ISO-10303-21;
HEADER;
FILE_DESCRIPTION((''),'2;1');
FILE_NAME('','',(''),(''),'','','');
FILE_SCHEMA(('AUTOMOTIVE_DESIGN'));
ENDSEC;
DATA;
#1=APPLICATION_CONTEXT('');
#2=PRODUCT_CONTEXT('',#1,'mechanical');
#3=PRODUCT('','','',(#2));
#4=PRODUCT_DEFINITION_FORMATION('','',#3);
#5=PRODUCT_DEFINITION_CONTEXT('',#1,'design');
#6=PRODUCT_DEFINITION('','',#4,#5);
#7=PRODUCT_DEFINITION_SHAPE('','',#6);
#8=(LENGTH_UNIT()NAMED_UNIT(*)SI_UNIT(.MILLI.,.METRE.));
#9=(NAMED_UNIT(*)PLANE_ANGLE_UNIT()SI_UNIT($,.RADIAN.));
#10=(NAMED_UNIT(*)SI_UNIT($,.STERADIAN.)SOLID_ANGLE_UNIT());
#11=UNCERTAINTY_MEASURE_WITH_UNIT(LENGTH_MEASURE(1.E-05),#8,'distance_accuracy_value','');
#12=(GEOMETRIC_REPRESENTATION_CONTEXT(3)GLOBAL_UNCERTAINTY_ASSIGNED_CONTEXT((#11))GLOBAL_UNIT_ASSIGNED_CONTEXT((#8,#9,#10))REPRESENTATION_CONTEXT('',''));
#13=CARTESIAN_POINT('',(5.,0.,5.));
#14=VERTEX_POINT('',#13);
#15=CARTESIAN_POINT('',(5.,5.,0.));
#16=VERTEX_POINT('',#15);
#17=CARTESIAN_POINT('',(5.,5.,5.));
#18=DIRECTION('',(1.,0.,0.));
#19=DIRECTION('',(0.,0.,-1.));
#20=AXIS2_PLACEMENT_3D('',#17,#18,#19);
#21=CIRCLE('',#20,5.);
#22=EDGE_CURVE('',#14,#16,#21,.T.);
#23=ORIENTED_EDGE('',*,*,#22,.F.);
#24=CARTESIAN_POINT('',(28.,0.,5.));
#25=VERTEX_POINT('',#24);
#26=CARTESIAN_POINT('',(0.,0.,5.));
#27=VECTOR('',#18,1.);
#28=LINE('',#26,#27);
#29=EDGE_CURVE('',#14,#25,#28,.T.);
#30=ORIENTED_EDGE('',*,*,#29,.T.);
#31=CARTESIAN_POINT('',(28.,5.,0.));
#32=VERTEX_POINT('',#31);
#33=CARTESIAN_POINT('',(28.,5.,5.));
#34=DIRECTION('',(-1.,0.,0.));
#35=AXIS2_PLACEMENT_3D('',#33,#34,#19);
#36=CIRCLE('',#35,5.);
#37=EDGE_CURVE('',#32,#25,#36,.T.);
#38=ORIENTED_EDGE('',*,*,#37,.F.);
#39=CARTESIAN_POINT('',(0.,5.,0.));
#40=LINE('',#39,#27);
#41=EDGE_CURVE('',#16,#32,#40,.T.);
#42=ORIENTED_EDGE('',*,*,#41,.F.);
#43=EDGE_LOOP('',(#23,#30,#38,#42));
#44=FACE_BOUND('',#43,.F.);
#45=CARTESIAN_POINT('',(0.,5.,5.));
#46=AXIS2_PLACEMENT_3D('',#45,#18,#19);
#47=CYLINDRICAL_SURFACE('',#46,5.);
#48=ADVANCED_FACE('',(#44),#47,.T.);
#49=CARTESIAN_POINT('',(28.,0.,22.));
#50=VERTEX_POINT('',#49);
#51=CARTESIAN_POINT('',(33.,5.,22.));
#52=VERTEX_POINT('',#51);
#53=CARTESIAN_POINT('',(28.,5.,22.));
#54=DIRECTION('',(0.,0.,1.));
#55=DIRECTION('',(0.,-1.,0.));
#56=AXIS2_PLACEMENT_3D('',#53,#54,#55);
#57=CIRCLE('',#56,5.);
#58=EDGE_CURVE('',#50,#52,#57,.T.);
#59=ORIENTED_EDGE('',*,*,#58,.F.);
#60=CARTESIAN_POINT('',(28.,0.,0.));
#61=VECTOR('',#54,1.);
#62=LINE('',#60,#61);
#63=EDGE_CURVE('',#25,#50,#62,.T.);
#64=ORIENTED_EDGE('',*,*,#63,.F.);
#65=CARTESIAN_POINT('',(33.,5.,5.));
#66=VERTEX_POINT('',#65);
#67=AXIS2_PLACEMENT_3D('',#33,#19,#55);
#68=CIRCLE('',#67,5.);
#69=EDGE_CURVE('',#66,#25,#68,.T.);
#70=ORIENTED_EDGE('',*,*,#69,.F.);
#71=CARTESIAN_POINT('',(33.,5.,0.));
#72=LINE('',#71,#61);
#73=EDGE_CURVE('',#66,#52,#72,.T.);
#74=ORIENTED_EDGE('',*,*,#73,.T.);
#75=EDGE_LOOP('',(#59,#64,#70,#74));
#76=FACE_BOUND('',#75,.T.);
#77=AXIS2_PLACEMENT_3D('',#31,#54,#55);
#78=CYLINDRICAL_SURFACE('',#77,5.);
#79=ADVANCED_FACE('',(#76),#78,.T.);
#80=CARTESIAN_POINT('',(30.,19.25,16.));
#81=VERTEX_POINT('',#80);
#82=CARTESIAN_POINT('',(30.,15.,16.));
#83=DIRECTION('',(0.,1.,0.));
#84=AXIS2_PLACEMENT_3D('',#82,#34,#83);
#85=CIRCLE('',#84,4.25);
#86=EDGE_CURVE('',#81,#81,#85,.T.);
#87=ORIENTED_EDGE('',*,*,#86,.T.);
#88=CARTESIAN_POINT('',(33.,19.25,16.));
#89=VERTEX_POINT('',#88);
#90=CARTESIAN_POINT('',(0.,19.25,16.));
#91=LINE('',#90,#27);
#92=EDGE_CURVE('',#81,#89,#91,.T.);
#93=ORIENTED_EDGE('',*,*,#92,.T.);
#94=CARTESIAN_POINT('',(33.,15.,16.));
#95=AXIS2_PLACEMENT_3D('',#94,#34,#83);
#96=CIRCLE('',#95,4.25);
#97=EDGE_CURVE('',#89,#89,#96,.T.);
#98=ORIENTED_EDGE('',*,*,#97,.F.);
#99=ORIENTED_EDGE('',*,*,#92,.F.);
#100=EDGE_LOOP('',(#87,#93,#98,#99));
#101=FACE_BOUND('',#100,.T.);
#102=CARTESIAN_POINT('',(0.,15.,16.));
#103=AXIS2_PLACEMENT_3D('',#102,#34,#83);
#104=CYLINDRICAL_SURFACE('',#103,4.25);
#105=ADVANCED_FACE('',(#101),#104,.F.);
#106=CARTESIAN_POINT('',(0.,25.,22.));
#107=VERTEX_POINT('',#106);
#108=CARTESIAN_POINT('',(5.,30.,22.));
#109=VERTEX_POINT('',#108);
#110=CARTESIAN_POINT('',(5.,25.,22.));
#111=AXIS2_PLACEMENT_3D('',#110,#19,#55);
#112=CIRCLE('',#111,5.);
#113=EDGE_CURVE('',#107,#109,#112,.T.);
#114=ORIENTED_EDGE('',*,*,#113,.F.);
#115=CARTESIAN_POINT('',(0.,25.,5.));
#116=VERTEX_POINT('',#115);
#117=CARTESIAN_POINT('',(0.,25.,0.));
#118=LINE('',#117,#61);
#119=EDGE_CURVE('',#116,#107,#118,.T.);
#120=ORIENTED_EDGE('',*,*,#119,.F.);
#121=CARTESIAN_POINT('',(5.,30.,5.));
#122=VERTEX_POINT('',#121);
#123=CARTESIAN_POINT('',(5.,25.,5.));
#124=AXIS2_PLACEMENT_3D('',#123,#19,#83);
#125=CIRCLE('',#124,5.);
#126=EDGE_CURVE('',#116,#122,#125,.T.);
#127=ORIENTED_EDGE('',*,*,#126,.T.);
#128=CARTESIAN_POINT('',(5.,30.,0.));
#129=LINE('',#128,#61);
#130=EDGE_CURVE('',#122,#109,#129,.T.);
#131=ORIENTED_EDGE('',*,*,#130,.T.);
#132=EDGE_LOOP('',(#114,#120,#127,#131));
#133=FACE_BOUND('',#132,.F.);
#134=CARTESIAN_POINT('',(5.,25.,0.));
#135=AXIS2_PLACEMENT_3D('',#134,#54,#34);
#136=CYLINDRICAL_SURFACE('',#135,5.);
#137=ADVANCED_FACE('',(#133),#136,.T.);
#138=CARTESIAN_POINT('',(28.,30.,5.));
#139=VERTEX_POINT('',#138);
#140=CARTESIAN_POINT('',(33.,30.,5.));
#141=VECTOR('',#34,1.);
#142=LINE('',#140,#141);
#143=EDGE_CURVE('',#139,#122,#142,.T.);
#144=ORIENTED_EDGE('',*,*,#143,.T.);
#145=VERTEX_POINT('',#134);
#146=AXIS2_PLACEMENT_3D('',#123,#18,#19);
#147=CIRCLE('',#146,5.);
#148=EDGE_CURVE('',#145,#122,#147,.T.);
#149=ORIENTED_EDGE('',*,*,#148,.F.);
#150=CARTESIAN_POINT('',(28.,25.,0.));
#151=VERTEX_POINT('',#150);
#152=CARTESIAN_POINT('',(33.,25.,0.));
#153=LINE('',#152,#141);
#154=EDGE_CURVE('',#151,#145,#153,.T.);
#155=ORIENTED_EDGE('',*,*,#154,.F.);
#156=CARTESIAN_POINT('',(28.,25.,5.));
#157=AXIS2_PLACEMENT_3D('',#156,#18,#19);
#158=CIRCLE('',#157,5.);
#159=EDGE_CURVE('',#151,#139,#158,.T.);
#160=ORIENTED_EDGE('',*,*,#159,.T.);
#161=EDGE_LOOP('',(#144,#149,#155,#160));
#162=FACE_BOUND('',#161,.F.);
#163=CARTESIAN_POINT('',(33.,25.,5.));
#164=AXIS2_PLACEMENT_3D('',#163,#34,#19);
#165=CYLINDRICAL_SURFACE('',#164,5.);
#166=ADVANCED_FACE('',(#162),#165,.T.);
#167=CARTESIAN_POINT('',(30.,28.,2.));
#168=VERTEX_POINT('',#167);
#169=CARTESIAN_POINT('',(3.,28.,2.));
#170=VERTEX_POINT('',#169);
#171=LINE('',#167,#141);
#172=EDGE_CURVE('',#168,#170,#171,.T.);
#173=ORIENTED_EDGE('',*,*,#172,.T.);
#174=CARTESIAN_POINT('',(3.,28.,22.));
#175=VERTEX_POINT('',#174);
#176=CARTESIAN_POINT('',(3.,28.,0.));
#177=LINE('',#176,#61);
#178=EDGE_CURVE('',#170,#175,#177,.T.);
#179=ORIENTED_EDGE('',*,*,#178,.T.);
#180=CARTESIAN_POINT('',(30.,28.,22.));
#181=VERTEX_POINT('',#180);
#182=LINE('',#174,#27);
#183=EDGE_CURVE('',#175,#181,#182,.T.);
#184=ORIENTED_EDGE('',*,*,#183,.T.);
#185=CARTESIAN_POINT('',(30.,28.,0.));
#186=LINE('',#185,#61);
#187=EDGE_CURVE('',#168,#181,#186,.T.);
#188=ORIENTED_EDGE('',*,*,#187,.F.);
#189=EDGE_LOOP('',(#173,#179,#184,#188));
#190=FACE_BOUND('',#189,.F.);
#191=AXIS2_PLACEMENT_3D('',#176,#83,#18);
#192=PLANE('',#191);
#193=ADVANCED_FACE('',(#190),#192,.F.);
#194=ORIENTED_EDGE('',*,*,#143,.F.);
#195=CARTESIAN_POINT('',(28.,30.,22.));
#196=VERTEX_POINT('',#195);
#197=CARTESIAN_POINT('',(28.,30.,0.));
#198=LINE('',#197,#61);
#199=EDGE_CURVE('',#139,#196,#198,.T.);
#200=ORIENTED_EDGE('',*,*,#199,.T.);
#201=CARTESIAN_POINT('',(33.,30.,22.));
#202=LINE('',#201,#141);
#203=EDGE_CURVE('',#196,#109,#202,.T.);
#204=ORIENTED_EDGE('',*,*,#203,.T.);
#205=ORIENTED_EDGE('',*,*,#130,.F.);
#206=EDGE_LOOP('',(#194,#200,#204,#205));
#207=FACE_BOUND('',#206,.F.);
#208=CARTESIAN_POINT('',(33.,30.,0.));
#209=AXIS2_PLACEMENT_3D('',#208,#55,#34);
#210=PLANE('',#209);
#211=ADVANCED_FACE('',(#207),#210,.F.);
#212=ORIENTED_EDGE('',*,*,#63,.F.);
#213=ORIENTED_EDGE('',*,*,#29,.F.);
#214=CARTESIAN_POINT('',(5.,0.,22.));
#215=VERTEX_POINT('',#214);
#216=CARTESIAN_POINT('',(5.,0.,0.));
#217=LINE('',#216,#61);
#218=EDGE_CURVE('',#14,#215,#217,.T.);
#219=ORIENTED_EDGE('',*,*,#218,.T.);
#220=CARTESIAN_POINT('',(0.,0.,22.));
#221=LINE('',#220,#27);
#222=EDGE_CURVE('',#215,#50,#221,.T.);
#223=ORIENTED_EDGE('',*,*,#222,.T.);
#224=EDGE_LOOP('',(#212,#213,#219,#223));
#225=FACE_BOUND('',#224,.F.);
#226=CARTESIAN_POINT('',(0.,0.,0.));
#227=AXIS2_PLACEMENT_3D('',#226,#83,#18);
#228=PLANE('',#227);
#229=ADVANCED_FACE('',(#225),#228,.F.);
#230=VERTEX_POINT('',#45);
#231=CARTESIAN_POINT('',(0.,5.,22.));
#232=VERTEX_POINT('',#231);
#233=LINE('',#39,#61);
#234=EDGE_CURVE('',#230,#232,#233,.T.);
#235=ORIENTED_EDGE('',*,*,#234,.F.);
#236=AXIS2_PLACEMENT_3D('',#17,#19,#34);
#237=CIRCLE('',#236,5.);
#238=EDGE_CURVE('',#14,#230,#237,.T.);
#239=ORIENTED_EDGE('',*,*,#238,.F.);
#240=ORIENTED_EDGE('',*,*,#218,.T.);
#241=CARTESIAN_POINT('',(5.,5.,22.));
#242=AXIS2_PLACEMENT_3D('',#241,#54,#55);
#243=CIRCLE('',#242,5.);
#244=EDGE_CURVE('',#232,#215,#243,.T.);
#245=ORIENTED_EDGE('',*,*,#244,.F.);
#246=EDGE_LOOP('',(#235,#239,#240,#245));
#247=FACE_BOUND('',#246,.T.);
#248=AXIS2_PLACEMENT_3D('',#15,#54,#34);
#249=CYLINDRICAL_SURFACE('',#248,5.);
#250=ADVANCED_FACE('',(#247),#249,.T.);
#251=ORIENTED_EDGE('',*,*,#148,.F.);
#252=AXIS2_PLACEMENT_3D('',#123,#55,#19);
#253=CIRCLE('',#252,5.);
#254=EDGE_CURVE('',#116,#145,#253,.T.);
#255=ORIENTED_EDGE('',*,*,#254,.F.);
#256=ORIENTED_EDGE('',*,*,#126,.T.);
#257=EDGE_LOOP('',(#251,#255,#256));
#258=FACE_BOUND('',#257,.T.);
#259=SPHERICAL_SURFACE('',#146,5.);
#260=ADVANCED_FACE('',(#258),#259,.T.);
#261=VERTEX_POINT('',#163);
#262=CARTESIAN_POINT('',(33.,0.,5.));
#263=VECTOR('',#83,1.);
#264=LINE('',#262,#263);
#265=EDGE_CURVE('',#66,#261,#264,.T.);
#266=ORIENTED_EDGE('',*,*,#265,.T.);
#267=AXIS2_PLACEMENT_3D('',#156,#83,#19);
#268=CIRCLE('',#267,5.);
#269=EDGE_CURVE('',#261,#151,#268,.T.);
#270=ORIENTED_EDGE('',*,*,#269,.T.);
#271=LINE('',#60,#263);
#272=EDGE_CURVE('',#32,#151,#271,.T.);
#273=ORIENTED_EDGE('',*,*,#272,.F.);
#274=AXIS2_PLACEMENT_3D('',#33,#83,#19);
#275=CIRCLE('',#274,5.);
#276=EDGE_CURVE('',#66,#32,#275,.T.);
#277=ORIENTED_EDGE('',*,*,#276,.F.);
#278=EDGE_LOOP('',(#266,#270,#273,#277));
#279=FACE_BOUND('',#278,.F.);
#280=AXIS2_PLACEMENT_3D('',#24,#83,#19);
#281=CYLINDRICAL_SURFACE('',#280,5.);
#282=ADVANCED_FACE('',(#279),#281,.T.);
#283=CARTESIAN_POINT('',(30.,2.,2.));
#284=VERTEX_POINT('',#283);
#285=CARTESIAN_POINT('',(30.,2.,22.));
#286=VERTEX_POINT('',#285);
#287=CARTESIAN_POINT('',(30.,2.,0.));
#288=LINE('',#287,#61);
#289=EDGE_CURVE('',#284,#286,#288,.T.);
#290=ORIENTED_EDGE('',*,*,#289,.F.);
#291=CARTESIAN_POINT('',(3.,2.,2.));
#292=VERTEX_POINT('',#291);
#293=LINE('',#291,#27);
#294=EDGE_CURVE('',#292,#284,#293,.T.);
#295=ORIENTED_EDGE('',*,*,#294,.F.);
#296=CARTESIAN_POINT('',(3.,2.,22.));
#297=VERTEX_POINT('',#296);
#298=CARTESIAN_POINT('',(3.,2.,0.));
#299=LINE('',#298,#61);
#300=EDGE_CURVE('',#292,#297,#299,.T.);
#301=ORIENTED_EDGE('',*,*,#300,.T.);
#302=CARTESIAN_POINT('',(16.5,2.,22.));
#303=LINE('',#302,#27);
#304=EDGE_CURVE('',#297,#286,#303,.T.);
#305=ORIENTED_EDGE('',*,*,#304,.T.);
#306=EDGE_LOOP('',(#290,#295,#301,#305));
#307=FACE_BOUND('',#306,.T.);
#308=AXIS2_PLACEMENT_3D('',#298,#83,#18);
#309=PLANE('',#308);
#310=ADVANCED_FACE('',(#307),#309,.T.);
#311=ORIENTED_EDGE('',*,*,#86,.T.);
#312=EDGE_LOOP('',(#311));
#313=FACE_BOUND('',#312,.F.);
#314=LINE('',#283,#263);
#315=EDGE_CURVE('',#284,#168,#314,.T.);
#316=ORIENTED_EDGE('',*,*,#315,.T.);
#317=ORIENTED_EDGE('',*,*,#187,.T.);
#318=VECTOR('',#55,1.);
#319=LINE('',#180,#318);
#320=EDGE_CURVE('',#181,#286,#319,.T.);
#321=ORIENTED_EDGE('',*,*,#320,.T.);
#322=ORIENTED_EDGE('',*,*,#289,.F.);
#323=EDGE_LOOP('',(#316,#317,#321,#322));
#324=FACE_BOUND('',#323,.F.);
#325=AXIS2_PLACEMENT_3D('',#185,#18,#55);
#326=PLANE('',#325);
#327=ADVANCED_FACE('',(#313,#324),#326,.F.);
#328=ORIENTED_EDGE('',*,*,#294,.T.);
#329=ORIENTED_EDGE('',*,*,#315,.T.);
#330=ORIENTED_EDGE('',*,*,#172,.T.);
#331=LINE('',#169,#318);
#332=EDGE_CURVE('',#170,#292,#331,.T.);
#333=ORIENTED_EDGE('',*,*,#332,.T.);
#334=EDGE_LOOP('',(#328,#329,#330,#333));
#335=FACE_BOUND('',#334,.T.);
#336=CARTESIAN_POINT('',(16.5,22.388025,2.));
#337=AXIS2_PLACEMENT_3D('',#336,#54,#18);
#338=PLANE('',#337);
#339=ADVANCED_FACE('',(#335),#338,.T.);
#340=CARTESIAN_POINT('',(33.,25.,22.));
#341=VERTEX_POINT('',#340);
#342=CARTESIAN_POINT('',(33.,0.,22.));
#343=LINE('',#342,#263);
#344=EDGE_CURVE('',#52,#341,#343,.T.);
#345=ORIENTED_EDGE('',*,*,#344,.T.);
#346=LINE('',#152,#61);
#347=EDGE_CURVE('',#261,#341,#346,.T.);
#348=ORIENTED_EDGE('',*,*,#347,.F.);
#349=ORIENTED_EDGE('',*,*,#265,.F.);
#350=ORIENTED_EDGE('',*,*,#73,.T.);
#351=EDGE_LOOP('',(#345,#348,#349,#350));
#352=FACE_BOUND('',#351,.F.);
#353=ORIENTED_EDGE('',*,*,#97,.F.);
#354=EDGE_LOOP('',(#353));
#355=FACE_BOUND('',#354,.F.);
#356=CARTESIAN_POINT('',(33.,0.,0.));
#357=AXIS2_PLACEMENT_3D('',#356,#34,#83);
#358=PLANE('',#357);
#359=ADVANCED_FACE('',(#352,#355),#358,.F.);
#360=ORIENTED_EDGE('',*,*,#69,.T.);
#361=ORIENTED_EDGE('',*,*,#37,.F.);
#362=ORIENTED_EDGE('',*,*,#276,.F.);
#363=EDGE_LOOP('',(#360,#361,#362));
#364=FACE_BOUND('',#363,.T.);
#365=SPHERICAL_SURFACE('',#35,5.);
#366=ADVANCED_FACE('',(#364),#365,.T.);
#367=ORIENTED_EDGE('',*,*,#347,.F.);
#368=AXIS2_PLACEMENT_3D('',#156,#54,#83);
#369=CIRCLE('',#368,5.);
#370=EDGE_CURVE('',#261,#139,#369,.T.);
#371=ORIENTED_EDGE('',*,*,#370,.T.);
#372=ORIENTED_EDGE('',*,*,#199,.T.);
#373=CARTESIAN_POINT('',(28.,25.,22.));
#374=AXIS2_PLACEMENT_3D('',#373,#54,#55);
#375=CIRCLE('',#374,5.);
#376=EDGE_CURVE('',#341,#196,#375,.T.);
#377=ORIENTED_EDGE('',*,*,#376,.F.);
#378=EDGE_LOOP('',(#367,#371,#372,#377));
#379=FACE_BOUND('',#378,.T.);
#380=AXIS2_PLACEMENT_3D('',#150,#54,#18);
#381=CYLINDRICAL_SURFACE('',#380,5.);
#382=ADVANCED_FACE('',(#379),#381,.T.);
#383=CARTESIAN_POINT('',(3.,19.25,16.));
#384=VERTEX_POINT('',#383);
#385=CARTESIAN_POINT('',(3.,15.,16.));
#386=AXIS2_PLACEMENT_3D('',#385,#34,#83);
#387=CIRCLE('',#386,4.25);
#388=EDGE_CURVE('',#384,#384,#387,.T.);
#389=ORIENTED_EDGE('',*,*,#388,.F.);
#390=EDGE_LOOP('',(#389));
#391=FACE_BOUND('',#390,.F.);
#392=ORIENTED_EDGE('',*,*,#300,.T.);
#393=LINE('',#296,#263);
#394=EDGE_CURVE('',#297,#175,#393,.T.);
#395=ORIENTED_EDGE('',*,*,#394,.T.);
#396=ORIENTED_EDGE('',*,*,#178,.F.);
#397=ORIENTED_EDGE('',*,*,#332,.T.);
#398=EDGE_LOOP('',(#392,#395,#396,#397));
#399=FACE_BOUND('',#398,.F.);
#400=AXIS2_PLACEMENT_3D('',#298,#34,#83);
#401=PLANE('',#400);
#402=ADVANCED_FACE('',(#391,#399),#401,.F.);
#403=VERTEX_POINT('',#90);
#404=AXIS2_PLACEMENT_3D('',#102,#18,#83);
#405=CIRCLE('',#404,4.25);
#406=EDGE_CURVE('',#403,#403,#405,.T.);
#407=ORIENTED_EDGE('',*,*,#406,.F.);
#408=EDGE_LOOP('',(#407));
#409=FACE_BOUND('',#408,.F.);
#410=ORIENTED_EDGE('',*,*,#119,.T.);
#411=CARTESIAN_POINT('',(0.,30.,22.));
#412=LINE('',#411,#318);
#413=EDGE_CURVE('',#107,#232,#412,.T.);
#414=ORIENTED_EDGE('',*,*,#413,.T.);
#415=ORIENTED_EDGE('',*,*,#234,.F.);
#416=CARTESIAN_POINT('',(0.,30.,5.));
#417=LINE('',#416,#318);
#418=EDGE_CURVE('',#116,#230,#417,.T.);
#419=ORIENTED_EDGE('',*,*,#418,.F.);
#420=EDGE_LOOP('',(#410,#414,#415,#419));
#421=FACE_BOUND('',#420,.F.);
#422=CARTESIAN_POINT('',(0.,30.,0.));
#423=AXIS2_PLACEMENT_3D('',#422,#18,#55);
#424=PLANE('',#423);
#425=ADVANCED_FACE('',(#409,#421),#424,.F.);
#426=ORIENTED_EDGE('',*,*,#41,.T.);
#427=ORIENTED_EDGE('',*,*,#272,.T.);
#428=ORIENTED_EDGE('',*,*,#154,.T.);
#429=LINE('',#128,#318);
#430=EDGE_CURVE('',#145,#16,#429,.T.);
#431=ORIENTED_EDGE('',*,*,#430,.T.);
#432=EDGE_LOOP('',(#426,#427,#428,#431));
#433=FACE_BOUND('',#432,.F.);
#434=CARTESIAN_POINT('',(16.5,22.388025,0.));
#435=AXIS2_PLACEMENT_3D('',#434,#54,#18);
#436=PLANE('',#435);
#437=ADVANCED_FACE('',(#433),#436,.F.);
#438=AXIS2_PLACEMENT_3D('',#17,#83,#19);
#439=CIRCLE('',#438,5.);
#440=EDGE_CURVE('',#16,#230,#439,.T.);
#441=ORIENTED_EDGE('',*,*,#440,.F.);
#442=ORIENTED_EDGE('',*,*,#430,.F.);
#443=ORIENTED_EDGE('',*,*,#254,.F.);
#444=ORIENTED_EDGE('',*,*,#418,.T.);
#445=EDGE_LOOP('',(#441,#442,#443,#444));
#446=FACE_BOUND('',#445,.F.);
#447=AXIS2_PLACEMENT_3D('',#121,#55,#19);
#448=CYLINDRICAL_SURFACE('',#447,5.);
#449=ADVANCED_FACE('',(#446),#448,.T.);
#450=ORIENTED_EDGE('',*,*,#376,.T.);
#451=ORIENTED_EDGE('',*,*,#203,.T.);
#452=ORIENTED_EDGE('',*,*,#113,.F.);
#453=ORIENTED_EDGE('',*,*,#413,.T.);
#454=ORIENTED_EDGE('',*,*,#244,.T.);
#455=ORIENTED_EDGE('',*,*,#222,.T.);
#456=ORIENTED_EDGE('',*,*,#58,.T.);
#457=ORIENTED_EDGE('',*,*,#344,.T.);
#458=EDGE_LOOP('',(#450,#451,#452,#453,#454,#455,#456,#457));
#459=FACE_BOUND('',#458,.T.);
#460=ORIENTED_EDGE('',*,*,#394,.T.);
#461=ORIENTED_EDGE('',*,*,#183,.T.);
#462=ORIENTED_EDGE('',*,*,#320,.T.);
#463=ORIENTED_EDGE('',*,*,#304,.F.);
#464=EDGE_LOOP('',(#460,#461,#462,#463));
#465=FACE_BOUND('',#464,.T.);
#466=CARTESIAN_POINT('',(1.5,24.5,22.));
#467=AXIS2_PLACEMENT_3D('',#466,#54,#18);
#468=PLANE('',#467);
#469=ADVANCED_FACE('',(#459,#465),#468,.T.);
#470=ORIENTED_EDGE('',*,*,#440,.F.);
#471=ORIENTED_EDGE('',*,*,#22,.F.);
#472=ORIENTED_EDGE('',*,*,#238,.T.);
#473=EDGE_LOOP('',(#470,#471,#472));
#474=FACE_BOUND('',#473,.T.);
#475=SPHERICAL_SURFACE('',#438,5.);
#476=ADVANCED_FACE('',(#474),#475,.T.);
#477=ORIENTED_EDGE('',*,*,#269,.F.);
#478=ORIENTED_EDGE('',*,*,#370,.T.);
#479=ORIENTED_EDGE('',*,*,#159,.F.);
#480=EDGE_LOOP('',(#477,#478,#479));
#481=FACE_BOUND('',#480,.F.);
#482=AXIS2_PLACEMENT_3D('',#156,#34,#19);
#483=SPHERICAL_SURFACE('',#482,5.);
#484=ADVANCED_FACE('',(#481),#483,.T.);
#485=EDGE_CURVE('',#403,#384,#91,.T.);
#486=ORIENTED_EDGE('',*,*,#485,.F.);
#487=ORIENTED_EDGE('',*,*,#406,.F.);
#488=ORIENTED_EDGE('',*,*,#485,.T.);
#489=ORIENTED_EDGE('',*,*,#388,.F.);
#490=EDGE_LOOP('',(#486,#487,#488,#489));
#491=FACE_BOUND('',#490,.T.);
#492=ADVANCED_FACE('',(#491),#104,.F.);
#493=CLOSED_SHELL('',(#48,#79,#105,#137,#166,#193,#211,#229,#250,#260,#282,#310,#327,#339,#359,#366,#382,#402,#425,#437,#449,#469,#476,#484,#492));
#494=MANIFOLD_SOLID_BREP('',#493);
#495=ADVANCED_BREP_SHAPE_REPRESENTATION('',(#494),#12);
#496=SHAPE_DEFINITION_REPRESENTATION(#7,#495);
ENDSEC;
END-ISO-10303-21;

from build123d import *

# Parameters (mm, degrees)
F0_W     = 3
F0_H     = 13
F0_H_2   = 2
F0_W_2   = 27
F0_H_3   = 4
F1_DEPTH = 22
F0_W_3   = 7
F0_H_4   = 11.0040441751
F2_DEPTH = 2
F3_R     = 4.25
F4_DEPTH = 40
F5_R     = 5


with BuildPart() as f1:
    # F0 (on Top) → F1 (new body)
    with BuildSketch(Plane.XY):
        Polygon((3, 30), (0, 30), (0, 19), (3, 19), (3, 28), align=None)
        Polygon((33, 30), (3, 30), (3, 28), (30, 28), (33, 28), align=None)
        with Locations((31.5, 21.5)):
            Rectangle(F0_W, F0_H)
        with Locations((31.5, 8.5)):
            Rectangle(F0_W, F0_H)
        with Locations((31.5, 1)):
            Rectangle(F0_W, F0_H_2)
        with Locations((16.5, 1)):
            Rectangle(F0_W_2, F0_H_2)
        Polygon((3, 11), (0, 11), (0, 0), (3, 0), (3, 2), align=None)
        with Locations((1.5, 13)):
            Rectangle(F0_W, F0_H_3)
        with Locations((1.5, 17)):
            Rectangle(F0_W, F0_H_3)
    extrude(amount=F1_DEPTH)

    # F0 (on Top) → F2 (join)
    with BuildSketch(Plane.XY):
        Polygon((30, 28), (3, 28), (3, 19), (3, 15), (6.5, 15), (6.5, 26.0040441751), (13.5, 26.0040441751), (13.5, 15), (16.5, 15), (19.5, 15), (19.5, 26.0040441751), (26.5, 26.0040441751), (26.5, 15), (30, 15), align=None)
        Polygon((6.5, 15), (3, 15), (3, 11), (3, 2), (30, 2), (30, 15), (26.5, 15), (26.5, 3.9959558249), (19.5, 3.9959558249), (19.5, 15), (16.5, 15), (13.5, 15), (13.5, 3.9959558249), (6.5, 3.9959558249), align=None)
        with Locations((10, 9.4979779124)):
            Rectangle(F0_W_3, F0_H_4)
        with Locations((10, 20.5020220876)):
            Rectangle(F0_W_3, F0_H_4)
        with Locations((23, 20.5020220876)):
            Rectangle(F0_W_3, F0_H_4)
        with Locations((23, 9.4979779124)):
            Rectangle(F0_W_3, F0_H_4)
    extrude(amount=F2_DEPTH)

    # F3 (on Right) → F4 (cut)
    with BuildSketch(Plane.YZ):
        with Locations((15, 16)):
            Circle(F3_R)
    extrude(amount=F4_DEPTH, mode=Mode.SUBTRACT)

    # F5
    f5_edges = [f1.edges().sort_by_distance(p)[0] for p in [
        (16.5, 30, 0),
        (0, 15, 0),
        (16.5, 0, 0),
        (33, 15, 0),
        (33, 30, 11),
        (0, 30, 11),
        (0, 0, 11),
        (33, 0, 11),
    ]]
    fillet(f5_edges, radius=F5_R)


solid = f1.part
